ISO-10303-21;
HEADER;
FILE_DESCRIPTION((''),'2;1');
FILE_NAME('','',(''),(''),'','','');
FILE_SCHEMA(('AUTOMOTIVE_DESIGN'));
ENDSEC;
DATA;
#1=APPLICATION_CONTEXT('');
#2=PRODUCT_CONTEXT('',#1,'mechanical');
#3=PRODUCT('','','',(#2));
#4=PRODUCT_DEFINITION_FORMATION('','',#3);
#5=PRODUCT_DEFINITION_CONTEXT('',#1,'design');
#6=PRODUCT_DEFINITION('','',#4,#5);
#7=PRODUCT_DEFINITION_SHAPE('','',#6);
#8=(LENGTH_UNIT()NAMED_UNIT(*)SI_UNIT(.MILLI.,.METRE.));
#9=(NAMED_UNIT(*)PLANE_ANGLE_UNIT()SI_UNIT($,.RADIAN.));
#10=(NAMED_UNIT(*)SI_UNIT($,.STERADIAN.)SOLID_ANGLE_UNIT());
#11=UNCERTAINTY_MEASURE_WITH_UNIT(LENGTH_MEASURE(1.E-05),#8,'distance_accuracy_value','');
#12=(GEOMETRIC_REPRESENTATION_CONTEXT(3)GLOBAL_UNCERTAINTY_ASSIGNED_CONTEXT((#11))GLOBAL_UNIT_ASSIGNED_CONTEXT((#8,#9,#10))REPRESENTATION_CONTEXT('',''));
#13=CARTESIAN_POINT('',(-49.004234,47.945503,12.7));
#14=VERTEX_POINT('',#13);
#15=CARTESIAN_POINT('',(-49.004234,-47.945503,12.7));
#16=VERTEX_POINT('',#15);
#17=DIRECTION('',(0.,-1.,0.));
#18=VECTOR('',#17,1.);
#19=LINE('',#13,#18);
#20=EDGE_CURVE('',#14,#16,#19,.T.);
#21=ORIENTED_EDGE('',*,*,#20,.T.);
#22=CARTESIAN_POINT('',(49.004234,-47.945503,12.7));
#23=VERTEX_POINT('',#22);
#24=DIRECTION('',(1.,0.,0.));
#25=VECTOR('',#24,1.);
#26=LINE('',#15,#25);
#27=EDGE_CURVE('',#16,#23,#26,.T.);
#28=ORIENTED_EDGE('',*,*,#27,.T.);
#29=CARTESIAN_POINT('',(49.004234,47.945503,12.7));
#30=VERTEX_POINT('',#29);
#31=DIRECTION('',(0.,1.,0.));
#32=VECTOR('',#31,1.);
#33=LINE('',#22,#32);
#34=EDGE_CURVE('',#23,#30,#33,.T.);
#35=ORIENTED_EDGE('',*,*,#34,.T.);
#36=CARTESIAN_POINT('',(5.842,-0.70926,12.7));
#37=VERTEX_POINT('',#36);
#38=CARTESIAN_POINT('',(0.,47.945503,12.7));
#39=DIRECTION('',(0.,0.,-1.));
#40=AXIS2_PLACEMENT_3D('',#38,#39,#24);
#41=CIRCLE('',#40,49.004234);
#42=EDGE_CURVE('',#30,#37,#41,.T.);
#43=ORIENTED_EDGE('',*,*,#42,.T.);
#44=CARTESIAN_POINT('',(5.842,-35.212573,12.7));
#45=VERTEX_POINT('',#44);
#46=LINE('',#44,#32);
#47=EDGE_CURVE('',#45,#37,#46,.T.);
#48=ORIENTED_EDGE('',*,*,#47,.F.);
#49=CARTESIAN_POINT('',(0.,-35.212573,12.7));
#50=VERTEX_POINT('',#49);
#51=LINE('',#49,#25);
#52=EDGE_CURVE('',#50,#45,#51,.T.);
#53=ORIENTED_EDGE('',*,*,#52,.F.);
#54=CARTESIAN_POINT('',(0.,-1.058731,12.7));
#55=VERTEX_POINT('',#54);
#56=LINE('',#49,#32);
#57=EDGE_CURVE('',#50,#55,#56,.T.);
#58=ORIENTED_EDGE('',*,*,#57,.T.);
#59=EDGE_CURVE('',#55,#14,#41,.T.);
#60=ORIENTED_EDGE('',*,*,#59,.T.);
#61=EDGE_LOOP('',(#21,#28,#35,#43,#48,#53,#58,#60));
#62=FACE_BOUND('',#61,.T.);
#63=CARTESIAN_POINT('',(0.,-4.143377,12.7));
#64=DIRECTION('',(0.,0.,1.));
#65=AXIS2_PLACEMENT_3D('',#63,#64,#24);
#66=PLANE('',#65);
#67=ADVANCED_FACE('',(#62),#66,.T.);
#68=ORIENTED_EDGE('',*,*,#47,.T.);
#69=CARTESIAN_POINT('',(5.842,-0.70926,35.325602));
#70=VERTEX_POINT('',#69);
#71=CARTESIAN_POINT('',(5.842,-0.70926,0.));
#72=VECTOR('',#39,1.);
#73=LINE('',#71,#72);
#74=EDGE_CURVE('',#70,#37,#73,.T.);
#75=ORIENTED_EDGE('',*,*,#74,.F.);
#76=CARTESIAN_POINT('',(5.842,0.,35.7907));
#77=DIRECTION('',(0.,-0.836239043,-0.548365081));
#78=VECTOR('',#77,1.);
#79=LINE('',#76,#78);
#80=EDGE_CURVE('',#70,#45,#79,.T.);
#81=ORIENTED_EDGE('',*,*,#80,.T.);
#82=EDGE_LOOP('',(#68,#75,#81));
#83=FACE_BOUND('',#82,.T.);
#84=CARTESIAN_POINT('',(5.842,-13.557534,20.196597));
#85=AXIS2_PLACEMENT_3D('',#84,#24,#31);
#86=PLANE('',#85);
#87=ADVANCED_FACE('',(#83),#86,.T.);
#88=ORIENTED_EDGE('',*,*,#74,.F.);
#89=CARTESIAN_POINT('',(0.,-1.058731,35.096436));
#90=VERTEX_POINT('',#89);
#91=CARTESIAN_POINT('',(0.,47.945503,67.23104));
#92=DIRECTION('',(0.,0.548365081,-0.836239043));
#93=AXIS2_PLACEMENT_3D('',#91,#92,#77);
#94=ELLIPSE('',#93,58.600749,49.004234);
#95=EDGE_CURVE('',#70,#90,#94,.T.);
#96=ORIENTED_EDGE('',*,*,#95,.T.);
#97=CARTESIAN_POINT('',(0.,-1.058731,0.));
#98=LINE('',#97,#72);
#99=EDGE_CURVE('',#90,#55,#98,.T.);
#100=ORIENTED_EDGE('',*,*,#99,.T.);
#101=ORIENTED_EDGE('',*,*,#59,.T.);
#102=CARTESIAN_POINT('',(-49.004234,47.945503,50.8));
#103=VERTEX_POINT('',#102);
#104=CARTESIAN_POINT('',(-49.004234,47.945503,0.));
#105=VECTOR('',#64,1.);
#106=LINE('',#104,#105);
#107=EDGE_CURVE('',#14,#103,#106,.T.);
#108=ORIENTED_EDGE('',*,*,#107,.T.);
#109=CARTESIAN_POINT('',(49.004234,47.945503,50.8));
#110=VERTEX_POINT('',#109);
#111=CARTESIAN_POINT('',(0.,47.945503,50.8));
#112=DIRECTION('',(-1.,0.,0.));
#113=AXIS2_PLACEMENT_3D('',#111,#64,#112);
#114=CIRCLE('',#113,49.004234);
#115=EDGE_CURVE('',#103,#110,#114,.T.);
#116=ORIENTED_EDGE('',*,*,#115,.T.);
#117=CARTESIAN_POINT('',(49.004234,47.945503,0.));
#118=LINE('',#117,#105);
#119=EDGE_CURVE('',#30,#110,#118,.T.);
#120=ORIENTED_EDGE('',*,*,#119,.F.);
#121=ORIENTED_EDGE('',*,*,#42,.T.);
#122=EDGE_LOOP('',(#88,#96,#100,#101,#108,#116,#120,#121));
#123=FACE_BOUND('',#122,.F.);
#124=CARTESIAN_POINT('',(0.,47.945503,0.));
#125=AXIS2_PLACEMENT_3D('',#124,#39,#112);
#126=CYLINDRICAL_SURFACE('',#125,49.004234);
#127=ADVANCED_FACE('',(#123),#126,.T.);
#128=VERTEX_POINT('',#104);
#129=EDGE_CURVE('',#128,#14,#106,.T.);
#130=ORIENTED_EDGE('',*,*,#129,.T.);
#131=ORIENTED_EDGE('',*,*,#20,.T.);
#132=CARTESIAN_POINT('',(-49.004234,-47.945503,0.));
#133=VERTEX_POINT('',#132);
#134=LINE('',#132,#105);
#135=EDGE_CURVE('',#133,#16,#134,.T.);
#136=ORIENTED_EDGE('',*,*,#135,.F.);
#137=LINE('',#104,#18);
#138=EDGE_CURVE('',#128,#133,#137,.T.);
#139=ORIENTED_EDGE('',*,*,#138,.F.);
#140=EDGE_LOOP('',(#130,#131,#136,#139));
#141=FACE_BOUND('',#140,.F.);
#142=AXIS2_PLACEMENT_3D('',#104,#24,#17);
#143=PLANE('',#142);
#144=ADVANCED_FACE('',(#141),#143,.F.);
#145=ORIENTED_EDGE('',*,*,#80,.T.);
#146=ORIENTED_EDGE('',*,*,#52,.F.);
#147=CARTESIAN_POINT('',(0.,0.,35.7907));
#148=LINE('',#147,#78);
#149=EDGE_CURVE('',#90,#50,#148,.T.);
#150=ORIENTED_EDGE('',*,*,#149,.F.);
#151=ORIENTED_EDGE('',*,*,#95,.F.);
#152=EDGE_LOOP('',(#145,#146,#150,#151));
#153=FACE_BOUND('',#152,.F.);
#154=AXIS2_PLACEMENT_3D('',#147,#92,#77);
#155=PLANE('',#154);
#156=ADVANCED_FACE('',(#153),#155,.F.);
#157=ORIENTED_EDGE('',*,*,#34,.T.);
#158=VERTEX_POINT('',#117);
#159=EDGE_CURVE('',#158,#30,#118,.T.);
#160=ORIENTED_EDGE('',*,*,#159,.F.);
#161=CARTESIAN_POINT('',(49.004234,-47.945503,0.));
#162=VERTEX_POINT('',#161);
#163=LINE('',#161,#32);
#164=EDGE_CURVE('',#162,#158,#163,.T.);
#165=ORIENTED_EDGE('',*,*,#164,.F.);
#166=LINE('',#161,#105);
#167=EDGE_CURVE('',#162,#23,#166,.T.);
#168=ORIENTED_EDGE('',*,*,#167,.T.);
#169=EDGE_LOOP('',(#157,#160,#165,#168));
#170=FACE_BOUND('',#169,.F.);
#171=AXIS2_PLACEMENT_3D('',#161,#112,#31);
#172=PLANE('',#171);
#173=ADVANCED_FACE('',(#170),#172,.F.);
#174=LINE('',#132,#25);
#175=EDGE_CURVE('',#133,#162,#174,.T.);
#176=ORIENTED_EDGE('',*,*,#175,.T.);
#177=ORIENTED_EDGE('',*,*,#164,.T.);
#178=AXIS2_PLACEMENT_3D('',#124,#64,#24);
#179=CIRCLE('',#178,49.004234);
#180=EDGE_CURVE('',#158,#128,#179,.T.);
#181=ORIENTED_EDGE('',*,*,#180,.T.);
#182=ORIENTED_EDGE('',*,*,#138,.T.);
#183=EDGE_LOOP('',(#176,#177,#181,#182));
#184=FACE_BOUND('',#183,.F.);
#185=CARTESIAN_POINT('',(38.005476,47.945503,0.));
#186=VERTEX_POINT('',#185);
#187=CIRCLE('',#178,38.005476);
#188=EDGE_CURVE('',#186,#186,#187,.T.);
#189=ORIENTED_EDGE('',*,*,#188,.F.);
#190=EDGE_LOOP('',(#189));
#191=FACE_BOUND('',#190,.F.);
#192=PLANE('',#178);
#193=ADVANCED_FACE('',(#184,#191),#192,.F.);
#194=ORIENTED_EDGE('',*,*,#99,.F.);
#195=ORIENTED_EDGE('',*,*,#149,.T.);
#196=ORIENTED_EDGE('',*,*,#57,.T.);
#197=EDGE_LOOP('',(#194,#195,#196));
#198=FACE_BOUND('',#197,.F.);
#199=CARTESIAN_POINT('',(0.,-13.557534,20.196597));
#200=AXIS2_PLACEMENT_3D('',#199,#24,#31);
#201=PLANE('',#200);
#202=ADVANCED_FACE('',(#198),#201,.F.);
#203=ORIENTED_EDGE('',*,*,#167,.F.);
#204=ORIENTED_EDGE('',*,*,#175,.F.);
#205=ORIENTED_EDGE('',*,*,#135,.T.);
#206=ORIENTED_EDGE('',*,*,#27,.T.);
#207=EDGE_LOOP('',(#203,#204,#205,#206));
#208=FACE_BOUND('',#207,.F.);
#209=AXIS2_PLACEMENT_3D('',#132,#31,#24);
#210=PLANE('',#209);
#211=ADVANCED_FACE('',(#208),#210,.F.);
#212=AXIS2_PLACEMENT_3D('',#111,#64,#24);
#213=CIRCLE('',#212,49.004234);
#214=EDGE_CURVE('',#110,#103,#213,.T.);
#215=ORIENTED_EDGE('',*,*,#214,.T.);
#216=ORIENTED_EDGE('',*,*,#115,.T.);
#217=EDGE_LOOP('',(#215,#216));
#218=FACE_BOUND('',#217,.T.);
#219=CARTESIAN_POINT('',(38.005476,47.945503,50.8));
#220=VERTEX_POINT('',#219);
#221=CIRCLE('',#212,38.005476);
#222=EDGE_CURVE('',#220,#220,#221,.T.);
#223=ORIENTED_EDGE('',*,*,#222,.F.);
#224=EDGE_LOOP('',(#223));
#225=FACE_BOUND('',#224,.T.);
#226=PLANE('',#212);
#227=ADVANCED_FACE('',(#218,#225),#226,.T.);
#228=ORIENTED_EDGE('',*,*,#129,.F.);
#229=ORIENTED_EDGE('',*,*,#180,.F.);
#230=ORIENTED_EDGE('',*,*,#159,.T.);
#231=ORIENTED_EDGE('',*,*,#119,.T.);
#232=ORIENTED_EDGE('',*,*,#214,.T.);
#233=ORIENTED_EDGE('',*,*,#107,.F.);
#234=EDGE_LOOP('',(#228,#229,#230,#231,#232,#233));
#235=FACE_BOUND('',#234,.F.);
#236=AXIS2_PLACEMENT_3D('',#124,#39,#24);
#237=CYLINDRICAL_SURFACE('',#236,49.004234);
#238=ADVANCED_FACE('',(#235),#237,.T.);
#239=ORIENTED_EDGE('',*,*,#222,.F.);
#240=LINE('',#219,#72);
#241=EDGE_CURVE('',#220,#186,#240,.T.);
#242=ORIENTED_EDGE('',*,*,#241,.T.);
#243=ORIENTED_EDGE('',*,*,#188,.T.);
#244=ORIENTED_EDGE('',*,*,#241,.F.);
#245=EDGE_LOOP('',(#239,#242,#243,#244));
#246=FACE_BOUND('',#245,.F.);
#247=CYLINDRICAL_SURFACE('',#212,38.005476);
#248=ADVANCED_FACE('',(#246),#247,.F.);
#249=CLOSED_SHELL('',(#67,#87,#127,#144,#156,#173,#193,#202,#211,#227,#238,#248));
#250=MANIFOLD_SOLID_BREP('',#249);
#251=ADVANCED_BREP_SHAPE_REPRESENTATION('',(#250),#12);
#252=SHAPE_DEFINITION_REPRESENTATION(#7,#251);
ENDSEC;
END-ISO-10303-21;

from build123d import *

# Parameters (mm, degrees)
F1_DEPTH = 12.7
F3_DEPTH = 50.8
F4_R     = 38.0054760492
F5_DEPTH = 50.801
F9_DEPTH = 5.842


with BuildPart() as f1:
    # F0 (on Top) → F1 (new body)
    with BuildSketch(Plane.XY):
        with BuildLine():
            Line((-49.0042343736, -47.9455031455), (49.0042343736, -47.9455031455))
            Line((49.0042343736, -47.9455031455), (49.0042343736, 47.9455031455))
            ThreePointArc((49.0042343736, 47.9455031455), (0, -1.0587312281), (-49.0042343736, 47.9455031455))
            Line((-49.0042343736, 47.9455031455), (-49.0042343736, -47.9455031455))
        make_face()
    extrude(amount=F1_DEPTH)

    # F2 (on Top) → F3 (join)
    with BuildSketch(Plane.XY):
        with BuildLine():
            ThreePointArc((-49.0042343736, 47.9455031455), (0, -1.0587312281), (49.0042343736, 47.9455031455))
            ThreePointArc((49.0042343736, 47.9455031455), (0, 96.949737519), (-49.0042343736, 47.9455031455))
        make_face()
    extrude(amount=F3_DEPTH)

    # F4 (on face) → F5 (cut, through all)
    with BuildSketch(Plane.XY.offset(50.8)):
        with Locations((0, 47.9455031455)):
            Circle(F4_R)
    extrude(amount=-F5_DEPTH, mode=Mode.SUBTRACT)

    # F8 (on plane+point) → F9 (join)
    with BuildSketch(Plane.YZ):
        Polygon((0, 35.7907004654), (-35.212572664, 12.7), (0, 12.7), align=None)
    extrude(amount=F9_DEPTH)


solid = f1.part
